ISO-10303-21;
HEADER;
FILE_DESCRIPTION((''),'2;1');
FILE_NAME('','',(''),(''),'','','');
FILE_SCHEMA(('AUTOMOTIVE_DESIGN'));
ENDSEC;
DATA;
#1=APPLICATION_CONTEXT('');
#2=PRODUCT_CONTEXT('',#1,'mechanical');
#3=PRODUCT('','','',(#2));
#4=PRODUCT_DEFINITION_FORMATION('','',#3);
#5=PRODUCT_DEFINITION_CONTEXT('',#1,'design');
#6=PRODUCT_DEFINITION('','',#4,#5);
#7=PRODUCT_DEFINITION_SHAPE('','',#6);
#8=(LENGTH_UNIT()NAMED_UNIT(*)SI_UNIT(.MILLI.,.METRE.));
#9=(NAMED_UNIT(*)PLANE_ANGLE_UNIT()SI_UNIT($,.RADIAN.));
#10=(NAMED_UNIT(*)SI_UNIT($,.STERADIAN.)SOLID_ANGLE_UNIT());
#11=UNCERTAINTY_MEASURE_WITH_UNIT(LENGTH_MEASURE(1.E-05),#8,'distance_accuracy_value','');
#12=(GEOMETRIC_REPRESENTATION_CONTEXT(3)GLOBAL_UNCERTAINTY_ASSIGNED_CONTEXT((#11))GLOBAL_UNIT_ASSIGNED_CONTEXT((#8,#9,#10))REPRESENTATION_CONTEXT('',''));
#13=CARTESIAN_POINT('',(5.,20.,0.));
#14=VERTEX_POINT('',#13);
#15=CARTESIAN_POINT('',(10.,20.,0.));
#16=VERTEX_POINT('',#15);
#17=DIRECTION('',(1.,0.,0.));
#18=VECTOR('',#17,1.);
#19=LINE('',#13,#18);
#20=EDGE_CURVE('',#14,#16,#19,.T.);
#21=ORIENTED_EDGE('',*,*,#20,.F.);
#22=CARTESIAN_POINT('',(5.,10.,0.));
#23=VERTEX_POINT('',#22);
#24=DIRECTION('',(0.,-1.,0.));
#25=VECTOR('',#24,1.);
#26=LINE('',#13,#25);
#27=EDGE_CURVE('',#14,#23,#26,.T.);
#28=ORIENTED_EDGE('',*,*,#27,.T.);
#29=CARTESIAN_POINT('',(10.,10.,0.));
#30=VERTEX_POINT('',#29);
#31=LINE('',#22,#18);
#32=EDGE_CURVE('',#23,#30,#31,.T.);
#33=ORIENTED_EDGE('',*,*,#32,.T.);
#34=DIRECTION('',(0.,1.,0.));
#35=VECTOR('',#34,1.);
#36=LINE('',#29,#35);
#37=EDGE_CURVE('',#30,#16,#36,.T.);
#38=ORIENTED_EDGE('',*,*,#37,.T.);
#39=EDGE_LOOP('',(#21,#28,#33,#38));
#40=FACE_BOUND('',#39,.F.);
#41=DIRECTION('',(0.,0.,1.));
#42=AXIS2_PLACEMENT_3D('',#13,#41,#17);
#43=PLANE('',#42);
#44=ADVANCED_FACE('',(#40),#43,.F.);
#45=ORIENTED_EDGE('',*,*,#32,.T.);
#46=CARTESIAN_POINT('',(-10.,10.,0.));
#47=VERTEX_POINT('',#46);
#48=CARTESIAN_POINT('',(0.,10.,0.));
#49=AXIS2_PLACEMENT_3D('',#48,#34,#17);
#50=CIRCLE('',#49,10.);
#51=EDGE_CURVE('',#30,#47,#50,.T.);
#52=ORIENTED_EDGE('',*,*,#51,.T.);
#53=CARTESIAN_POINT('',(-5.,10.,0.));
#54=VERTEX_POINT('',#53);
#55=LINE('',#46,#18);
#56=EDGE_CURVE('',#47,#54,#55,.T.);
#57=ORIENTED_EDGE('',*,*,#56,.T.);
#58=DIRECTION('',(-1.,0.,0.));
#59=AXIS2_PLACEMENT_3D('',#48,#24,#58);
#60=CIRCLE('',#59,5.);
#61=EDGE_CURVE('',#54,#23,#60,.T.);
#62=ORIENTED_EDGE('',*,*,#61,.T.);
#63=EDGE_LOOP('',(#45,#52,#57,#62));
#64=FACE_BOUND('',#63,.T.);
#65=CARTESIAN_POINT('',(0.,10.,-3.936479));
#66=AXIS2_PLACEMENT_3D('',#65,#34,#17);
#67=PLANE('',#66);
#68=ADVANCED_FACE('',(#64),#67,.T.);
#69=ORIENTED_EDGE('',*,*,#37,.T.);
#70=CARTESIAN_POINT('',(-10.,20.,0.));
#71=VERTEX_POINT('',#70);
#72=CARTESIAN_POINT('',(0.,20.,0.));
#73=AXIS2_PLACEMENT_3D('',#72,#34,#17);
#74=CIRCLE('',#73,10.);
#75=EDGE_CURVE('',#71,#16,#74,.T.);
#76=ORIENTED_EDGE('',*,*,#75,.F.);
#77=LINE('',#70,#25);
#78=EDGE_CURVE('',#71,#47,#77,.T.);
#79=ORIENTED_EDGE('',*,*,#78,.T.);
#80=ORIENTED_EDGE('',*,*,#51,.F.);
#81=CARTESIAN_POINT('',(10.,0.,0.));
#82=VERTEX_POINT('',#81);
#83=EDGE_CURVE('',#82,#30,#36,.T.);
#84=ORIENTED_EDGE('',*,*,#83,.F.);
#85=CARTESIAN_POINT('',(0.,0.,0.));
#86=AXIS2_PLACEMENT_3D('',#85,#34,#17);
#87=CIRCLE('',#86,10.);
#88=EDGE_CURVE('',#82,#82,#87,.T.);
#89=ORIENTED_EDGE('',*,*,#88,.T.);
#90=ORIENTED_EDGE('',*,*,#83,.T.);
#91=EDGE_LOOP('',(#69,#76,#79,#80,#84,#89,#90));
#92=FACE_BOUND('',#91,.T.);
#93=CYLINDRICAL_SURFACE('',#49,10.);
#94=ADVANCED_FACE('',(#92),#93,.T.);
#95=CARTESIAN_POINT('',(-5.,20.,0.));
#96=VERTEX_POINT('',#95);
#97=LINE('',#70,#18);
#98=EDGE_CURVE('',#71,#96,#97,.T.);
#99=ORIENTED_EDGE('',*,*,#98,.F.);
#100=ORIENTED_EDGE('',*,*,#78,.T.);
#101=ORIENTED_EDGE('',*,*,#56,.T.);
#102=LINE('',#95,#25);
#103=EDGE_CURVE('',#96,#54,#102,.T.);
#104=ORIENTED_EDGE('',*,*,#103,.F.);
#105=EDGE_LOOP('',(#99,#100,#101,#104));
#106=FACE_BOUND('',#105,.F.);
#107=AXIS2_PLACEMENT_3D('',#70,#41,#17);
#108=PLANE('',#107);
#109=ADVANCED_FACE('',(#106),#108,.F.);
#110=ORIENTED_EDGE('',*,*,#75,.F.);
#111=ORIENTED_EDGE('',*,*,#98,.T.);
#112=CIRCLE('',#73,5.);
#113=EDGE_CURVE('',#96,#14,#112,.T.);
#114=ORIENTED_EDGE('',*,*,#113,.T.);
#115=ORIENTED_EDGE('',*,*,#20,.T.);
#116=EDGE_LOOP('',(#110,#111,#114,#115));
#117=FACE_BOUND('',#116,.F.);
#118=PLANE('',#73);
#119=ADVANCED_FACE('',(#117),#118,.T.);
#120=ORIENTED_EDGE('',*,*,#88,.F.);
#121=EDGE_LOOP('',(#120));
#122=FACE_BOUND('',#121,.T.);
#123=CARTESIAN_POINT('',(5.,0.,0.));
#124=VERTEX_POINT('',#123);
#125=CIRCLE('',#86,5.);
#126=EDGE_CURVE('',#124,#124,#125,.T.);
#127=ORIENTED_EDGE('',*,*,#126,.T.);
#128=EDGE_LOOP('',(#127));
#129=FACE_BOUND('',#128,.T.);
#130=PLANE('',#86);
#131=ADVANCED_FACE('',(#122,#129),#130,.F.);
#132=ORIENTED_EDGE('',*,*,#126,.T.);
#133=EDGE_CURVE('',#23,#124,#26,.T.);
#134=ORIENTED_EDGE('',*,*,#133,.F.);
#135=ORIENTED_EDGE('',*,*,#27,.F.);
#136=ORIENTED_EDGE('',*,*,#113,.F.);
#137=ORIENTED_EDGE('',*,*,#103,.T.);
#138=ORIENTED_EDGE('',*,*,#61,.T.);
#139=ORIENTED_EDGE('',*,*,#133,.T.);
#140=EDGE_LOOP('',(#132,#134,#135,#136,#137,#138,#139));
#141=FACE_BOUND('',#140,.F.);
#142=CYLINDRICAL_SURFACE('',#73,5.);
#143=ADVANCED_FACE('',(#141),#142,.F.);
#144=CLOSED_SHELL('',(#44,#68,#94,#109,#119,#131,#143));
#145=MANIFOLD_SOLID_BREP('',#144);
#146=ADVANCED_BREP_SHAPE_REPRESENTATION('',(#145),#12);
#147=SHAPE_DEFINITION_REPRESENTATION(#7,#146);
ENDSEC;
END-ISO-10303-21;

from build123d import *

# Parameters (mm, degrees)
SKETCH1_W          = 10
SKETCH1_H          = 20
SKETCH2_R          = 5
CUT_EXTRUDE1_DEPTH = 20
CUT_EXTRUDE2_DEPTH = 10


with BuildPart() as part:
    # Sketch1 → Revolve1 (revolve)
    with BuildSketch(Plane.XY):
        with Locations((5, 10)):
            Rectangle(SKETCH1_W, SKETCH1_H)
    revolve(axis=Axis((0, 0, 0), (0, 1, 0)))

    # Sketch2 → Cut-Extrude1 (cut)
    with BuildSketch(Plane(origin=(0, 20, 0), x_dir=(1, 0, 0), z_dir=(0, 1, 0))):
        Circle(SKETCH2_R)
    extrude(amount=-CUT_EXTRUDE1_DEPTH, mode=Mode.SUBTRACT)

    # Sketch3 → Cut-Extrude2 (cut)
    with BuildSketch(Plane(origin=(0, 20, 0), x_dir=(1, 0, 0), z_dir=(0, 1, 0))):
        with BuildLine():
            Line((-10, 0), (-5, 0))
            ThreePointArc((-5, 0), (0, 5), (5, 0))
            Line((5, 0), (10, 0))
            ThreePointArc((10, 0), (0, 10), (-10, 0))
        make_face()
    extrude(amount=-CUT_EXTRUDE2_DEPTH, mode=Mode.SUBTRACT)


solid = part.part
